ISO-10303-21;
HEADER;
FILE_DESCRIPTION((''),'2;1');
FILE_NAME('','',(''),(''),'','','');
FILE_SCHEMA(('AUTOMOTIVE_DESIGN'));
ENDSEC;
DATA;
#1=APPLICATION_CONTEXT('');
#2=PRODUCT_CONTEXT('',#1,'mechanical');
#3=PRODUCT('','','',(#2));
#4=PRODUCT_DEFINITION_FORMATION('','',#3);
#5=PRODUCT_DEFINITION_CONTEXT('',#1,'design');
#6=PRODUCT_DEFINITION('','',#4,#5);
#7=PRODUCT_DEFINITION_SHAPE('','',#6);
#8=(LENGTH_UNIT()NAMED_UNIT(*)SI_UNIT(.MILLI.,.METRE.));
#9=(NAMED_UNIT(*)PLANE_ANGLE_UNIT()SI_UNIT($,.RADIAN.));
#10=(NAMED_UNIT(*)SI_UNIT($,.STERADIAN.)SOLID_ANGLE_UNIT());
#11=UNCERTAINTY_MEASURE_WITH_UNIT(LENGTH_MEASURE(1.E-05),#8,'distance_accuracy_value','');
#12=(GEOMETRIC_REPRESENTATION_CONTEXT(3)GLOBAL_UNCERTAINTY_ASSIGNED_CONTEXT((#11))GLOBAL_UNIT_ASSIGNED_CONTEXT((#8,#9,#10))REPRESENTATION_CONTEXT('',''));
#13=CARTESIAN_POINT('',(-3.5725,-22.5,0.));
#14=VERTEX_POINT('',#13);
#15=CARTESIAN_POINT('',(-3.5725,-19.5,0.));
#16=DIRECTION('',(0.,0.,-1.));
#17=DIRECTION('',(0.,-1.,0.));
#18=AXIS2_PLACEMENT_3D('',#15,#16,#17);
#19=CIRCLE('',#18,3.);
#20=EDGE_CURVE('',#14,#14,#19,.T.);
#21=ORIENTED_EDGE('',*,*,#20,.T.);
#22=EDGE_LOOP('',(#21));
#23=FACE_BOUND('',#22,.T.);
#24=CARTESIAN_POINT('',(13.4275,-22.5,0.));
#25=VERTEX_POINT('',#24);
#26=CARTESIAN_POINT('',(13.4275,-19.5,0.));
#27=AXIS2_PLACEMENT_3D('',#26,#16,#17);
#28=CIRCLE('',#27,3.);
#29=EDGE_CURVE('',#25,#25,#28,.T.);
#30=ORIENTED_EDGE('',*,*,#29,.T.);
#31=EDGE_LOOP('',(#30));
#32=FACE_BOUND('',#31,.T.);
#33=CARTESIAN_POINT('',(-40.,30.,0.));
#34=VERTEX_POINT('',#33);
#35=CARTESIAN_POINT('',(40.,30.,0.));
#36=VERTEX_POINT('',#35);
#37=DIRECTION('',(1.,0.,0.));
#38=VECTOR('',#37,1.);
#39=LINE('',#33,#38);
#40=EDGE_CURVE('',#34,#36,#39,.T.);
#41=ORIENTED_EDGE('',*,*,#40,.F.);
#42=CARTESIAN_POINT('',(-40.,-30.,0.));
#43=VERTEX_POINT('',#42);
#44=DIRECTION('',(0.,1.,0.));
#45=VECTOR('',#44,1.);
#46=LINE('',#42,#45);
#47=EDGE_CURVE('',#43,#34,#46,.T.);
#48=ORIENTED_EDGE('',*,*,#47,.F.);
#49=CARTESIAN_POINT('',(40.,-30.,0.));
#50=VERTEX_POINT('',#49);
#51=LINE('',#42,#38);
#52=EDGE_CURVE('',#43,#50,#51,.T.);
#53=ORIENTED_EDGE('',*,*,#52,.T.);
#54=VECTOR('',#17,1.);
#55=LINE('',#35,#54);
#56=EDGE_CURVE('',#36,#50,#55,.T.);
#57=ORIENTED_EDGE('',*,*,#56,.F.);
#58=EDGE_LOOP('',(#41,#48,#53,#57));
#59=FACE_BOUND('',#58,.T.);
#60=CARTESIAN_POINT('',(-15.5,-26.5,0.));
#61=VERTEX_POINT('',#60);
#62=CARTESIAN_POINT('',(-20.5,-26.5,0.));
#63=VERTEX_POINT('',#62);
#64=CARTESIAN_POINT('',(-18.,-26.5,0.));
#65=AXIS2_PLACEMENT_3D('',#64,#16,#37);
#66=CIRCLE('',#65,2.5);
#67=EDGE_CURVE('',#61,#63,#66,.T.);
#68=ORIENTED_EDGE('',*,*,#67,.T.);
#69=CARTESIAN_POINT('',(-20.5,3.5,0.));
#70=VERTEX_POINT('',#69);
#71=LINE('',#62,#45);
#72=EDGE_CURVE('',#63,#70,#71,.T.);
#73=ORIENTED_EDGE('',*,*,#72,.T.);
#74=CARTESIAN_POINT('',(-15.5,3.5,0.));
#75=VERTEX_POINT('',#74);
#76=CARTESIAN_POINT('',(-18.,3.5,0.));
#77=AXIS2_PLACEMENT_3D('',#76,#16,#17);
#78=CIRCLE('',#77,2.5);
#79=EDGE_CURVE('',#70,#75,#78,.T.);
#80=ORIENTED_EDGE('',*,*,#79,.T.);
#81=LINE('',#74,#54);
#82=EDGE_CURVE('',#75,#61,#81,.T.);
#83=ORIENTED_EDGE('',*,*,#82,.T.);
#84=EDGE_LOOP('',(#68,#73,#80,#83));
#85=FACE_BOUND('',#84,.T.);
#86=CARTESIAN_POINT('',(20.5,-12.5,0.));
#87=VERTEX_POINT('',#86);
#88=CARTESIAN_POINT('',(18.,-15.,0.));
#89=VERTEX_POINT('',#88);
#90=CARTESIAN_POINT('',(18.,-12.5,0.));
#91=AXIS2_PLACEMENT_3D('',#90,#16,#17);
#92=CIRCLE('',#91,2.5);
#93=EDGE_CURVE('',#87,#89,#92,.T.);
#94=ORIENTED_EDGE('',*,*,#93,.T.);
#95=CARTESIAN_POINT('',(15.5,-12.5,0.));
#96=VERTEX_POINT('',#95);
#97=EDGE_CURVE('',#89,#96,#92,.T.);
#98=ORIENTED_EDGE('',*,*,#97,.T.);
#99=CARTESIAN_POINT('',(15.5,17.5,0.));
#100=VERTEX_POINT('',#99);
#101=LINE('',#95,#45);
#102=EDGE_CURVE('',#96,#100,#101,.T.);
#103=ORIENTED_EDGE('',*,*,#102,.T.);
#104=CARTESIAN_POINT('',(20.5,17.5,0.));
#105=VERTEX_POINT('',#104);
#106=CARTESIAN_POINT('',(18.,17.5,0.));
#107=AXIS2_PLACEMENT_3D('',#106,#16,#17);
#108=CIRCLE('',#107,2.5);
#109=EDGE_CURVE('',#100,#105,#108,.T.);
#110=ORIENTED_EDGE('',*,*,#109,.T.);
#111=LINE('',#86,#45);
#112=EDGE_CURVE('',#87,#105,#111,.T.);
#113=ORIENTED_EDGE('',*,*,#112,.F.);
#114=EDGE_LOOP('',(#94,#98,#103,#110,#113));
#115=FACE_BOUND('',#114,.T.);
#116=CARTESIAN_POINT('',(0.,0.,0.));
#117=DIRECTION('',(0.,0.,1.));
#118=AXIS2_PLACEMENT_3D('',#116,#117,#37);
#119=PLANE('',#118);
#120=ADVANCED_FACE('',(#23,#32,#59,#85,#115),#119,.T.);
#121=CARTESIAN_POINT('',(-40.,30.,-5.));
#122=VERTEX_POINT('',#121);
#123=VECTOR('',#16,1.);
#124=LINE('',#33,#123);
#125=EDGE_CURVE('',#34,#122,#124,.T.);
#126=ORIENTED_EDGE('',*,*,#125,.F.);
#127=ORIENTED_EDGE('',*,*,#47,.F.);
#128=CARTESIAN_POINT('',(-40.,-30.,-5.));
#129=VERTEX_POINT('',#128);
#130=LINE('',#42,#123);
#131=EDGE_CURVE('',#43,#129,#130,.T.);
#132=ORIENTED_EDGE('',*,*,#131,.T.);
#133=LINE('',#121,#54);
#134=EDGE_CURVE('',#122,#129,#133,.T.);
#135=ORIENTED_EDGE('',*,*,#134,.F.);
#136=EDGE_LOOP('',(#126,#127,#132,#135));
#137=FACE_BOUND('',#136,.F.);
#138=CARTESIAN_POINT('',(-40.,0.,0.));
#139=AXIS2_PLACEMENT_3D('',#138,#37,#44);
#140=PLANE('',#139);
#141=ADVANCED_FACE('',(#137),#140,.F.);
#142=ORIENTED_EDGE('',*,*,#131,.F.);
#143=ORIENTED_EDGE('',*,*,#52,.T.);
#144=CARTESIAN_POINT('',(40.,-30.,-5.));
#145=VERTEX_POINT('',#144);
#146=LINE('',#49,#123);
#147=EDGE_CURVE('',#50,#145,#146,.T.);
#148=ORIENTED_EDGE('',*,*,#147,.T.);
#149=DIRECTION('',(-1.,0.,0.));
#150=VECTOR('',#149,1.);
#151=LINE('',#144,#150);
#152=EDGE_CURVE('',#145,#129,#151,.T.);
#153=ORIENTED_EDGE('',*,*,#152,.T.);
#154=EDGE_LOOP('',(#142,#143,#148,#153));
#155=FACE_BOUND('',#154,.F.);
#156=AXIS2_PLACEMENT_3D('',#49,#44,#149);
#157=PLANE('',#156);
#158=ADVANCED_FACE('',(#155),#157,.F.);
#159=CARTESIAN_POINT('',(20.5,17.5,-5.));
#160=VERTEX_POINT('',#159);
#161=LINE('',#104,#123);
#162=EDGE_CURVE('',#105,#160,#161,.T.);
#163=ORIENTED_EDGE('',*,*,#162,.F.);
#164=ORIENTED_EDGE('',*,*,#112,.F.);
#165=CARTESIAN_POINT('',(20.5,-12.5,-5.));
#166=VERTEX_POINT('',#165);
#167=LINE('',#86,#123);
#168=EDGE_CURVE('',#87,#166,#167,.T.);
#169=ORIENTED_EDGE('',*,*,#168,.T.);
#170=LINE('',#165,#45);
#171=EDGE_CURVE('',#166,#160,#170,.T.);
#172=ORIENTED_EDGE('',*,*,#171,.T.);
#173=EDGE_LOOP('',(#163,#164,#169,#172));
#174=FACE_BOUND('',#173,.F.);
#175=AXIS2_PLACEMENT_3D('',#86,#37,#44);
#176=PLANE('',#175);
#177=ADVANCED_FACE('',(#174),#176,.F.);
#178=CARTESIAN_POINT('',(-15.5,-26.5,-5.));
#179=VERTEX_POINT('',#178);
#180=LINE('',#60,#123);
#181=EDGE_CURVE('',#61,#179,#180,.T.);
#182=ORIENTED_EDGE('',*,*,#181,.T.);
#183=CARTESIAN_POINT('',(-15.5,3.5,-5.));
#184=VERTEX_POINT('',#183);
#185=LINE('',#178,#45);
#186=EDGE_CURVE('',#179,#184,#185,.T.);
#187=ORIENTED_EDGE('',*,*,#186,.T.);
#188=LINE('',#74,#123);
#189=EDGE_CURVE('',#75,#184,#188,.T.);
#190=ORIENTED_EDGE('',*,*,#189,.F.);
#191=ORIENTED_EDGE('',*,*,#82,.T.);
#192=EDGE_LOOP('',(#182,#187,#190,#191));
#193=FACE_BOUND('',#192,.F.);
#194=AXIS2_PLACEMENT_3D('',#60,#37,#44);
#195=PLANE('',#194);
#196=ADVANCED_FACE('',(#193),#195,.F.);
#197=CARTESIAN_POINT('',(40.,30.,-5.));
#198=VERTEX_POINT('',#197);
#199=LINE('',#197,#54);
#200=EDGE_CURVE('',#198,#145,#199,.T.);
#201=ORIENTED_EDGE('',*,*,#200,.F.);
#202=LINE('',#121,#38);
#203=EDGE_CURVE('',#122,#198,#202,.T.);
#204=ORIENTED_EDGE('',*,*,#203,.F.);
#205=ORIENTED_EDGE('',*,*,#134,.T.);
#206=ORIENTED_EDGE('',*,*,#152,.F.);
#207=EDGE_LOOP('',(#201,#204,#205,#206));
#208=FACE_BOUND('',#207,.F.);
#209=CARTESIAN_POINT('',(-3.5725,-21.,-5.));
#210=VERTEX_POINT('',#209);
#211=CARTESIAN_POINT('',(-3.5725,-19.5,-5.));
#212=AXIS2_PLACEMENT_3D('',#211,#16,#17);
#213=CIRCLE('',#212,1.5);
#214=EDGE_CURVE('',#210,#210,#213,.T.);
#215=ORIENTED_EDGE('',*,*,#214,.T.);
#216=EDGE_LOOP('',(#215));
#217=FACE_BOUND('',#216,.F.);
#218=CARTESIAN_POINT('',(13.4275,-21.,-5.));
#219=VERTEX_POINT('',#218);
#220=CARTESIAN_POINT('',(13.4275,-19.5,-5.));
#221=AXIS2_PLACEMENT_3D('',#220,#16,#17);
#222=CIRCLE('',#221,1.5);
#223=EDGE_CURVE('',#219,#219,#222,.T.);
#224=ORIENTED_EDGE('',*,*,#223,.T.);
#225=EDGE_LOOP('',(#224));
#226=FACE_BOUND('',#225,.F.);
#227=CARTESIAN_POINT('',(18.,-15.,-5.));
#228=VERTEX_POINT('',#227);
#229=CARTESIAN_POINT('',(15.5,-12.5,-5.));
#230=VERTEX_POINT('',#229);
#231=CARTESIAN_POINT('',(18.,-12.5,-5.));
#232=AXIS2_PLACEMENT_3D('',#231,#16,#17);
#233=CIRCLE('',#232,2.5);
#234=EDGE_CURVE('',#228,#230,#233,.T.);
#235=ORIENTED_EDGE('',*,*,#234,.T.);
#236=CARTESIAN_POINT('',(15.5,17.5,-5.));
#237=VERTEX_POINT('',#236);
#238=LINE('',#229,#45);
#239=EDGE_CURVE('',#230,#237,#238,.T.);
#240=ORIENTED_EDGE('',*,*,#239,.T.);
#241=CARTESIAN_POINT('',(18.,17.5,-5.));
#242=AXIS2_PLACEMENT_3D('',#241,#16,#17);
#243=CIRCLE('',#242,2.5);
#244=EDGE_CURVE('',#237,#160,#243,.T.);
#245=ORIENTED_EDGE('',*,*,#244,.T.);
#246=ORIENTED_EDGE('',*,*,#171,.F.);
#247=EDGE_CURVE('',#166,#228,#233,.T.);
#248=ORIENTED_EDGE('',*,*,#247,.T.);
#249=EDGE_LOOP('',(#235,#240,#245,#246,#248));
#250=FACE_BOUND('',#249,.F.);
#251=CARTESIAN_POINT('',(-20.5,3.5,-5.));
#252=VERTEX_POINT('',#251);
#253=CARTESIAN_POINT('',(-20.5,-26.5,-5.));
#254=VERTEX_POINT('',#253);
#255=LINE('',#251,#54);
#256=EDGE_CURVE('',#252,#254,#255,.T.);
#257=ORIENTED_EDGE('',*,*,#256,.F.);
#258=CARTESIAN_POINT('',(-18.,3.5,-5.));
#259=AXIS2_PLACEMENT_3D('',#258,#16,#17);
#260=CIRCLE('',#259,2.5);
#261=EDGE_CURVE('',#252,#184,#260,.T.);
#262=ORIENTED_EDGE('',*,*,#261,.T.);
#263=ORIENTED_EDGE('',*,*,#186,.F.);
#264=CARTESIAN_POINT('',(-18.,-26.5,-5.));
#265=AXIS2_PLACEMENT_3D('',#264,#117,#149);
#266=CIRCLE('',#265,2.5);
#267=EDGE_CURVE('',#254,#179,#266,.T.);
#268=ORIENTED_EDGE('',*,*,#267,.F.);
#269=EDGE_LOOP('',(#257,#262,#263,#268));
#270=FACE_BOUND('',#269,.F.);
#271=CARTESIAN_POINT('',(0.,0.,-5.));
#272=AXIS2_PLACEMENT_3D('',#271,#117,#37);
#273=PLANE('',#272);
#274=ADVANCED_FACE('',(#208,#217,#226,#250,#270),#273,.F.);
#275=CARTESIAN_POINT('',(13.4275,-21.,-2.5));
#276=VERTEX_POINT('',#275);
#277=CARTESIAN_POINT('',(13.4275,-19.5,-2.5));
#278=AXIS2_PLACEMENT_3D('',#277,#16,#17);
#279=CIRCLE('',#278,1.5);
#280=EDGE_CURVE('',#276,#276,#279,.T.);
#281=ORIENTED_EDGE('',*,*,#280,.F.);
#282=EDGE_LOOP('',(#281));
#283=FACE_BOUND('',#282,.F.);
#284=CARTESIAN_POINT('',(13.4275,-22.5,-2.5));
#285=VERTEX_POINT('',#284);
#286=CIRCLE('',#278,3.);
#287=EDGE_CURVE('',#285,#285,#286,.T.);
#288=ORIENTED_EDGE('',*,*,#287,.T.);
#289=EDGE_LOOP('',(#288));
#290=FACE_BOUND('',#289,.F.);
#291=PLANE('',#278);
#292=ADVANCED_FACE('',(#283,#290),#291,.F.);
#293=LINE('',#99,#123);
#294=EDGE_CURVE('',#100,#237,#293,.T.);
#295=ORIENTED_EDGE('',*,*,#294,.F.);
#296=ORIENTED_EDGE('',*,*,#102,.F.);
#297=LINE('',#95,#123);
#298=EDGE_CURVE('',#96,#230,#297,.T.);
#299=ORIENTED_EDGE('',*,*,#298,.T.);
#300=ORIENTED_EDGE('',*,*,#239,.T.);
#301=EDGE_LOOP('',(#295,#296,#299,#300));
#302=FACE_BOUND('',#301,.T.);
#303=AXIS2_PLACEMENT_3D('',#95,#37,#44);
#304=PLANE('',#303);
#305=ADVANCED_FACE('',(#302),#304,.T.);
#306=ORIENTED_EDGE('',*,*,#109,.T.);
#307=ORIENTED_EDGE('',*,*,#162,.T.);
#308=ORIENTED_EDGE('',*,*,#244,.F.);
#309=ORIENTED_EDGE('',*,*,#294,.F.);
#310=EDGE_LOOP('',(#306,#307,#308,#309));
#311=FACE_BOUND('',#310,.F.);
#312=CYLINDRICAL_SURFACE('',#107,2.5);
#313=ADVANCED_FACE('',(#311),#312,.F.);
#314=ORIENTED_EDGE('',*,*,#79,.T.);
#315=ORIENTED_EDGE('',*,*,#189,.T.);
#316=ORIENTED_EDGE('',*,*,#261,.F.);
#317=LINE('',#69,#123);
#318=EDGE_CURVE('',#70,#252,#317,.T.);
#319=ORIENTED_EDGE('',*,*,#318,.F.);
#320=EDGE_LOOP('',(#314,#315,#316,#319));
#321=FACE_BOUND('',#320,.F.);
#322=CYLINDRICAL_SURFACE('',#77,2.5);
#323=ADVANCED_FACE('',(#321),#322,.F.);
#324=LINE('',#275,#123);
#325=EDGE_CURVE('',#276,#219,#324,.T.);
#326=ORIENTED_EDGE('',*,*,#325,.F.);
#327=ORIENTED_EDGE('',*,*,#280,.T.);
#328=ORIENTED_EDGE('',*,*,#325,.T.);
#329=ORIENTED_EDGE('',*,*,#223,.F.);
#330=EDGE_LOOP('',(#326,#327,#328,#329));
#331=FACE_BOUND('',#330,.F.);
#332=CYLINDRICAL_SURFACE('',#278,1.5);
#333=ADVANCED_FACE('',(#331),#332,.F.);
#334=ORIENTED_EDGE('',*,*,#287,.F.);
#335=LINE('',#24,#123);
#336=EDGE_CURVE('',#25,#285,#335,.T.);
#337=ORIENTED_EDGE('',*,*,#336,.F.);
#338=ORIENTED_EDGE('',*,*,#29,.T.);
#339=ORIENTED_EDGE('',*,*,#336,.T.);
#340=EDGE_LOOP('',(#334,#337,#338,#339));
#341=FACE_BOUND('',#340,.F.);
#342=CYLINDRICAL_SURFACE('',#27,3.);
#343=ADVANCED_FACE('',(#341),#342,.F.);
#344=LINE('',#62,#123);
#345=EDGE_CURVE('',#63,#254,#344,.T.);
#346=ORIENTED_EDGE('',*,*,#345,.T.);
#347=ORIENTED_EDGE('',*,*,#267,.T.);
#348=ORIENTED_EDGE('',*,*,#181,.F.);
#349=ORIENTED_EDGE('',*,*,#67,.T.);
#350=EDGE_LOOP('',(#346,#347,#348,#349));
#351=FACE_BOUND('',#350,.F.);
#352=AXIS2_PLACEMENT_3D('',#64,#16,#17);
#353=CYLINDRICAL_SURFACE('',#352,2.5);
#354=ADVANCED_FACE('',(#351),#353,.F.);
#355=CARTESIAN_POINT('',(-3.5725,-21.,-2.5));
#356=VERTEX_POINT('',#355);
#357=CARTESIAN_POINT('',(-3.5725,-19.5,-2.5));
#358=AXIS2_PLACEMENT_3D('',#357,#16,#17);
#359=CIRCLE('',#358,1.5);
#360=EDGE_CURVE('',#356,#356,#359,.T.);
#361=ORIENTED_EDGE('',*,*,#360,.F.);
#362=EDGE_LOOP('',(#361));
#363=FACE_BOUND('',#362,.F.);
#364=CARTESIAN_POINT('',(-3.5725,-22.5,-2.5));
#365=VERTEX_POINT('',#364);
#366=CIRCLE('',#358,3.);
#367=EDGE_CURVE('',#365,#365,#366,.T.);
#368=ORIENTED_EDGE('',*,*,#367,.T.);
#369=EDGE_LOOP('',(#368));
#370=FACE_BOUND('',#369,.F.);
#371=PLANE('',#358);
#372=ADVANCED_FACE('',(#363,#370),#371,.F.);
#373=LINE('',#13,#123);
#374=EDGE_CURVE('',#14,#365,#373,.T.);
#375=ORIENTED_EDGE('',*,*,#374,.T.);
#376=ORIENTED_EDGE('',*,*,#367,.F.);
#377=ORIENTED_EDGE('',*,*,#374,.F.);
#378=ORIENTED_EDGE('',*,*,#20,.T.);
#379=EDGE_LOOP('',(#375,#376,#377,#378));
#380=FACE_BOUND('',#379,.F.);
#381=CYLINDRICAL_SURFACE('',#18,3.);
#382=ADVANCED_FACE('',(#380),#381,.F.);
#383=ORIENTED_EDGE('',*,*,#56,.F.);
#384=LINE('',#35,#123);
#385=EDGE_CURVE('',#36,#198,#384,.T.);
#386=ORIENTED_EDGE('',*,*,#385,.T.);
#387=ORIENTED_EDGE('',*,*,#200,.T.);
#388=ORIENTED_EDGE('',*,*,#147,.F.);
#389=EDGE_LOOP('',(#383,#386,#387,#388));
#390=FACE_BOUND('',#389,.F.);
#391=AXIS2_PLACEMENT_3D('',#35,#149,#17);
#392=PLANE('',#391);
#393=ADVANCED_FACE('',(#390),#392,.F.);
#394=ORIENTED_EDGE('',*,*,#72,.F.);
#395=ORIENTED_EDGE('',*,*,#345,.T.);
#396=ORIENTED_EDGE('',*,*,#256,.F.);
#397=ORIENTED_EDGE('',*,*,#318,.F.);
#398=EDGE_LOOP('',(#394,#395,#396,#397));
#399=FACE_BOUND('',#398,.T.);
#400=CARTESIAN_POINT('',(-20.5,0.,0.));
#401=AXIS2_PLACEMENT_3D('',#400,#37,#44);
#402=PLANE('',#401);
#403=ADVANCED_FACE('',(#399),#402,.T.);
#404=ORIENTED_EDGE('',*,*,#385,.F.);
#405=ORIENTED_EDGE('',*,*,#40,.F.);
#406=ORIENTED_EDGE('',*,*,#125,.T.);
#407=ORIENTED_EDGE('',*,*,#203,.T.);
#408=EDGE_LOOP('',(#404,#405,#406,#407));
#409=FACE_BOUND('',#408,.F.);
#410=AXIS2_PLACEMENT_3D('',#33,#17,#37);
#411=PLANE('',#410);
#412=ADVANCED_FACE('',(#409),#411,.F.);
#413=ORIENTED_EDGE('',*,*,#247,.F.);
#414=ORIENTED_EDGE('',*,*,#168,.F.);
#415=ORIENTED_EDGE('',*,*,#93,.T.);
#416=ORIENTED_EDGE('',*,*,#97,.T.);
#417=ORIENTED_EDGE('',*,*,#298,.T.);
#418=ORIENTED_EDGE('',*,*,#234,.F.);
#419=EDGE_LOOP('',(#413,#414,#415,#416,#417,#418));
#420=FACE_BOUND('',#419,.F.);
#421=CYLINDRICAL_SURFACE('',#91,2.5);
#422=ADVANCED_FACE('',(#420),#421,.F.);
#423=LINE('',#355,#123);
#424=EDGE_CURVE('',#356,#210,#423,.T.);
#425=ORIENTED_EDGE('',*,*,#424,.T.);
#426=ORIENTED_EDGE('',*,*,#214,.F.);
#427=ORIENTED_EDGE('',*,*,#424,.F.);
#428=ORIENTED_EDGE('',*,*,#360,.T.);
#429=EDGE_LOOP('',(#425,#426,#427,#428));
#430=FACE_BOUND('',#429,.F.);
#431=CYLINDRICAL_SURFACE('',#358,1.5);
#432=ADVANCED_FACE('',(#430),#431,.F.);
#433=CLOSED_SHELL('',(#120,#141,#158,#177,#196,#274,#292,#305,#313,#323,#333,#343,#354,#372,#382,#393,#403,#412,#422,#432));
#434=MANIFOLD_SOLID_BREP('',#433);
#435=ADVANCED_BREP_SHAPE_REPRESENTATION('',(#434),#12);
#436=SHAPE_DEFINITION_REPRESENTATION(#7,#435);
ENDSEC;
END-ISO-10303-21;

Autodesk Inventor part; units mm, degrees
ref_plane "YZ Plane" through (0, 0, 0) normal (1, 0, 0) x (0, 1, 0)
ref_plane "XZ Plane" through (0, 0, 0) normal (0, 1, 0) x (-1, 0, 0)
ref_plane "XY Plane" through (0, 0, 0) normal (0, 0, 1) x (1, 0, 0)
sketch "Sketch1" plane through (0, 0, 0) normal (0, 0, 1) x (1, 0, 0)
  line L0 (-40, 30) -> (40, 30)
  line L1 (40, 30) -> (40, -30)
  line L2 (40, -30) -> (-40, -30)
  line L3 (-40, -30) -> (-40, 30)
  line L4 (-40, -30) -> (-40, 0)
  line L5 (-40, 0) -> (0, 0)
  line L6 (4.9275, -30) -> (4.9275, -19.5)
  line L7 (4.9275, -19.5) -> (13.4275, -19.5)
  line L8 (4.9275, -19.5) -> (-3.5725, -19.5)
  line L9 (0, -30) -> (-18, -30)
  line L10 (0, -30) -> (18, -30)
  line L11 (18, -30) -> (18, -12.5)
  line L12 (-18, -30) -> (-18, -26.5)
  line L13 (-18, -26.5) -> (-20.5, -26.5)
  line L14 (-20.5, -26.5) -> (-20.5, 3.5)
  line L15 (-20.5, 3.5) -> (-18, 3.5)
  line L16 (-18, 3.5) -> (-18, -26.5)
  line L17 (-18, -26.5) -> (-15.5, -26.5)
  line L18 (-15.5, -26.5) -> (-15.5, 3.5)
  line L19 (-15.5, 3.5) -> (-18, 3.5)
  line L20 (-18, 3.5) -> (-18, -26.5)
  line L21 (18, -12.5) -> (20.5, -12.5)
  line L22 (20.5, -12.5) -> (20.5, 17.5)
  line L23 (20.5, 17.5) -> (18, 17.5)
  line L24 (18, 17.5) -> (18, -12.5)
  line L25 (18, -12.5) -> (15.5, -12.5)
  line L26 (15.5, -12.5) -> (15.5, 17.5)
  line L27 (15.5, 17.5) -> (18, 17.5)
  line L28 (18, 17.5) -> (18, -12.5)
  line L29 (-3.5725, -19.5) -> (-10.0725, -19.5)
  line L30 (13.4275, -19.5) -> (19.9275, -19.5)
  point P0 (0, 0)
  dimension "d0" = 80
  dimension "d1" = 60
  dimension "d2" = 30
  dimension "d3" = 40
  dimension "d4" = 10.5
  dimension "d5" = 8.5
  dimension "d6" = 8.5
  dimension "d7" = 18
  dimension "d8" = 18
  dimension "d9" = 17.5
  dimension "d10" = 3.5
  dimension "d11" = 2.5
  dimension "d12" = 30
  dimension "d13" = 2.5
  dimension "d14" = 2.5
  dimension "d15" = 30
  dimension "d16" = 2.5
  dimension "d17" = 30
  dimension "d18" = 6.5
  dimension "d19" = 6.5
  dimension "d21" = 17
  dimension "d22" = 10.5
  dimension "d46" = 36
extrude "Extrusion1" add sketch "Sketch1" against normal blind 5 contours L0 L1 L2 L11 L30 L7 L6 L12 L17 L18 L19 L15 L14 L5 L3 | L5 L14 L13 L12 L2 L3 | L2 L6 L7 L30 L11
hole "Hole1" at (13.4275, -19.5, 0) at (-3.5725, -19.5, 0) direction (0, 0, -1) diameter 3 depth 10 counterbore diameter 6 counterbore depth 2.5
hole "Hole2" at (-18, -26.5, 0) at (-18, 3.5, 0) at (18, -12.5, 0) at (18, 17.5, 0) direction (0, 0, -1) diameter 5 depth 10 tip angle 118
sketch "Sketch2" plane through (13.4275, -19.5, -2.5) normal (0, 0, 1) x (1, 0, 0)
  point P0 (-13.4275, 19.5)
sketch "Sketch3" plane through (13.4275, -19.5, -2.5) normal (0, 0, 1) x (1, 0, 0)
  point P0 (-13.4275, 19.5)
properties part number "regla_digital2"
